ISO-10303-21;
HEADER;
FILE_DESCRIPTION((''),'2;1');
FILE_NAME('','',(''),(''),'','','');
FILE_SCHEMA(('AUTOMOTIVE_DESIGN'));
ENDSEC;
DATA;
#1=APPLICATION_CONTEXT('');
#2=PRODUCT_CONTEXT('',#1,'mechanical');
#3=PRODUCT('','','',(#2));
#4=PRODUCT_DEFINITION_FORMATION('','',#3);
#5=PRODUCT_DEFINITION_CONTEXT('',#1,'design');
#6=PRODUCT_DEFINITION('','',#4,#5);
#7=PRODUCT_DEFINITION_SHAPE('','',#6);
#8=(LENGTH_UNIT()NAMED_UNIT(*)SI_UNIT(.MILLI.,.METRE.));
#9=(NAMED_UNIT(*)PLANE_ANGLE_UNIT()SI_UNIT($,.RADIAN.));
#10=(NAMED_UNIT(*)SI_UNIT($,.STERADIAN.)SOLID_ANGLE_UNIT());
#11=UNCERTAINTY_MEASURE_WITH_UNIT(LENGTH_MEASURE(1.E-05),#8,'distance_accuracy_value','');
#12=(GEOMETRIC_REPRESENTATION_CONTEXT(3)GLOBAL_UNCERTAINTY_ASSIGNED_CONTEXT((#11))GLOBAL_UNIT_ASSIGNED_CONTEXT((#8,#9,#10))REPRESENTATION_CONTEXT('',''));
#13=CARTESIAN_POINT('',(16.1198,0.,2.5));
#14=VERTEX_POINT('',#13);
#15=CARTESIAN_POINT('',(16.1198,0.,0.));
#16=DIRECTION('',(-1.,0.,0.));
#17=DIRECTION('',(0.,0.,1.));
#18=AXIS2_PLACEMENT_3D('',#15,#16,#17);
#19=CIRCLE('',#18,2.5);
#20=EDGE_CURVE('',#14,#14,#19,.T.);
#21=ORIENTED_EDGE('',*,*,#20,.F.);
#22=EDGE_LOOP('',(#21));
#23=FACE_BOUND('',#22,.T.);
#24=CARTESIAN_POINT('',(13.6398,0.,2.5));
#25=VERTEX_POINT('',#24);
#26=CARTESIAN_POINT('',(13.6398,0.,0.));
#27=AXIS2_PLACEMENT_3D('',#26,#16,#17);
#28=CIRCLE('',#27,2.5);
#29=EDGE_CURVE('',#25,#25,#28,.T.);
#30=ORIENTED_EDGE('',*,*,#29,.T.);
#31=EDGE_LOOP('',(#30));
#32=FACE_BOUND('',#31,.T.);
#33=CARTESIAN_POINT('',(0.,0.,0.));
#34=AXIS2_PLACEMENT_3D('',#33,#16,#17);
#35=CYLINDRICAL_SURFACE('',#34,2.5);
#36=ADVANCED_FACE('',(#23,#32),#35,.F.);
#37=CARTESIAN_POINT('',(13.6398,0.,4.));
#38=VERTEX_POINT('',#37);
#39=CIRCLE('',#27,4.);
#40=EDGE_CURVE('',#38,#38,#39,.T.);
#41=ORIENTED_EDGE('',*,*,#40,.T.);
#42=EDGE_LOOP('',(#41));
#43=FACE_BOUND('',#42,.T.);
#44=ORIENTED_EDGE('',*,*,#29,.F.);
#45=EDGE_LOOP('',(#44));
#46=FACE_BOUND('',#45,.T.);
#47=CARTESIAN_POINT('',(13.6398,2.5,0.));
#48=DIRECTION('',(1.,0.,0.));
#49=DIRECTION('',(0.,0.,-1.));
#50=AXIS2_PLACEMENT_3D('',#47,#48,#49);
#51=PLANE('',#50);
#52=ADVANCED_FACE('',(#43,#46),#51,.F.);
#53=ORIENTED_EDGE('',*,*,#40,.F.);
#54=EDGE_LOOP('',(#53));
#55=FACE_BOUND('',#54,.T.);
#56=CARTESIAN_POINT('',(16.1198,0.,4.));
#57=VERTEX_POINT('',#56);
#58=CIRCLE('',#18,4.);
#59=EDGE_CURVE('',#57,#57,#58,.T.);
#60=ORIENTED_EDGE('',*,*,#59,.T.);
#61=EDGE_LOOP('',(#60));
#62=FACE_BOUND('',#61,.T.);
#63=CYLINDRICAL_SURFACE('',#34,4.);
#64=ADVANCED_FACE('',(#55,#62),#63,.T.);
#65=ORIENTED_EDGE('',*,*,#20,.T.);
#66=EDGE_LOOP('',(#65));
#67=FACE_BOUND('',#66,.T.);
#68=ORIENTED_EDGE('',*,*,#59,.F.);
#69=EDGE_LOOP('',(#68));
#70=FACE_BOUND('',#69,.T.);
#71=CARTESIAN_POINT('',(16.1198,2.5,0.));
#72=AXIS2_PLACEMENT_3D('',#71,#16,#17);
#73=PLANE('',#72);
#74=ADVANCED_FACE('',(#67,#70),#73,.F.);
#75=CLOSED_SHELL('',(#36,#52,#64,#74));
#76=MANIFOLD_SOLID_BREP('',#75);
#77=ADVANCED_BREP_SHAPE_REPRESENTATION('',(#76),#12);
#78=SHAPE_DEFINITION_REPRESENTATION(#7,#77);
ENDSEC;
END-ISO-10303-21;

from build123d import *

# Parameters (mm, degrees)
SKETCH3_W = 2.48000012
SKETCH3_H = 1.500000048


with BuildPart() as part:
    # Sketch3 → Revolve1 (revolve)
    with BuildSketch(Plane.XY):
        with Locations((14.879799806, 3.249999977)):
            Rectangle(SKETCH3_W, SKETCH3_H)
    revolve(axis=Axis((0, 0, 0), (1, 0, 0)))


solid = part.part
